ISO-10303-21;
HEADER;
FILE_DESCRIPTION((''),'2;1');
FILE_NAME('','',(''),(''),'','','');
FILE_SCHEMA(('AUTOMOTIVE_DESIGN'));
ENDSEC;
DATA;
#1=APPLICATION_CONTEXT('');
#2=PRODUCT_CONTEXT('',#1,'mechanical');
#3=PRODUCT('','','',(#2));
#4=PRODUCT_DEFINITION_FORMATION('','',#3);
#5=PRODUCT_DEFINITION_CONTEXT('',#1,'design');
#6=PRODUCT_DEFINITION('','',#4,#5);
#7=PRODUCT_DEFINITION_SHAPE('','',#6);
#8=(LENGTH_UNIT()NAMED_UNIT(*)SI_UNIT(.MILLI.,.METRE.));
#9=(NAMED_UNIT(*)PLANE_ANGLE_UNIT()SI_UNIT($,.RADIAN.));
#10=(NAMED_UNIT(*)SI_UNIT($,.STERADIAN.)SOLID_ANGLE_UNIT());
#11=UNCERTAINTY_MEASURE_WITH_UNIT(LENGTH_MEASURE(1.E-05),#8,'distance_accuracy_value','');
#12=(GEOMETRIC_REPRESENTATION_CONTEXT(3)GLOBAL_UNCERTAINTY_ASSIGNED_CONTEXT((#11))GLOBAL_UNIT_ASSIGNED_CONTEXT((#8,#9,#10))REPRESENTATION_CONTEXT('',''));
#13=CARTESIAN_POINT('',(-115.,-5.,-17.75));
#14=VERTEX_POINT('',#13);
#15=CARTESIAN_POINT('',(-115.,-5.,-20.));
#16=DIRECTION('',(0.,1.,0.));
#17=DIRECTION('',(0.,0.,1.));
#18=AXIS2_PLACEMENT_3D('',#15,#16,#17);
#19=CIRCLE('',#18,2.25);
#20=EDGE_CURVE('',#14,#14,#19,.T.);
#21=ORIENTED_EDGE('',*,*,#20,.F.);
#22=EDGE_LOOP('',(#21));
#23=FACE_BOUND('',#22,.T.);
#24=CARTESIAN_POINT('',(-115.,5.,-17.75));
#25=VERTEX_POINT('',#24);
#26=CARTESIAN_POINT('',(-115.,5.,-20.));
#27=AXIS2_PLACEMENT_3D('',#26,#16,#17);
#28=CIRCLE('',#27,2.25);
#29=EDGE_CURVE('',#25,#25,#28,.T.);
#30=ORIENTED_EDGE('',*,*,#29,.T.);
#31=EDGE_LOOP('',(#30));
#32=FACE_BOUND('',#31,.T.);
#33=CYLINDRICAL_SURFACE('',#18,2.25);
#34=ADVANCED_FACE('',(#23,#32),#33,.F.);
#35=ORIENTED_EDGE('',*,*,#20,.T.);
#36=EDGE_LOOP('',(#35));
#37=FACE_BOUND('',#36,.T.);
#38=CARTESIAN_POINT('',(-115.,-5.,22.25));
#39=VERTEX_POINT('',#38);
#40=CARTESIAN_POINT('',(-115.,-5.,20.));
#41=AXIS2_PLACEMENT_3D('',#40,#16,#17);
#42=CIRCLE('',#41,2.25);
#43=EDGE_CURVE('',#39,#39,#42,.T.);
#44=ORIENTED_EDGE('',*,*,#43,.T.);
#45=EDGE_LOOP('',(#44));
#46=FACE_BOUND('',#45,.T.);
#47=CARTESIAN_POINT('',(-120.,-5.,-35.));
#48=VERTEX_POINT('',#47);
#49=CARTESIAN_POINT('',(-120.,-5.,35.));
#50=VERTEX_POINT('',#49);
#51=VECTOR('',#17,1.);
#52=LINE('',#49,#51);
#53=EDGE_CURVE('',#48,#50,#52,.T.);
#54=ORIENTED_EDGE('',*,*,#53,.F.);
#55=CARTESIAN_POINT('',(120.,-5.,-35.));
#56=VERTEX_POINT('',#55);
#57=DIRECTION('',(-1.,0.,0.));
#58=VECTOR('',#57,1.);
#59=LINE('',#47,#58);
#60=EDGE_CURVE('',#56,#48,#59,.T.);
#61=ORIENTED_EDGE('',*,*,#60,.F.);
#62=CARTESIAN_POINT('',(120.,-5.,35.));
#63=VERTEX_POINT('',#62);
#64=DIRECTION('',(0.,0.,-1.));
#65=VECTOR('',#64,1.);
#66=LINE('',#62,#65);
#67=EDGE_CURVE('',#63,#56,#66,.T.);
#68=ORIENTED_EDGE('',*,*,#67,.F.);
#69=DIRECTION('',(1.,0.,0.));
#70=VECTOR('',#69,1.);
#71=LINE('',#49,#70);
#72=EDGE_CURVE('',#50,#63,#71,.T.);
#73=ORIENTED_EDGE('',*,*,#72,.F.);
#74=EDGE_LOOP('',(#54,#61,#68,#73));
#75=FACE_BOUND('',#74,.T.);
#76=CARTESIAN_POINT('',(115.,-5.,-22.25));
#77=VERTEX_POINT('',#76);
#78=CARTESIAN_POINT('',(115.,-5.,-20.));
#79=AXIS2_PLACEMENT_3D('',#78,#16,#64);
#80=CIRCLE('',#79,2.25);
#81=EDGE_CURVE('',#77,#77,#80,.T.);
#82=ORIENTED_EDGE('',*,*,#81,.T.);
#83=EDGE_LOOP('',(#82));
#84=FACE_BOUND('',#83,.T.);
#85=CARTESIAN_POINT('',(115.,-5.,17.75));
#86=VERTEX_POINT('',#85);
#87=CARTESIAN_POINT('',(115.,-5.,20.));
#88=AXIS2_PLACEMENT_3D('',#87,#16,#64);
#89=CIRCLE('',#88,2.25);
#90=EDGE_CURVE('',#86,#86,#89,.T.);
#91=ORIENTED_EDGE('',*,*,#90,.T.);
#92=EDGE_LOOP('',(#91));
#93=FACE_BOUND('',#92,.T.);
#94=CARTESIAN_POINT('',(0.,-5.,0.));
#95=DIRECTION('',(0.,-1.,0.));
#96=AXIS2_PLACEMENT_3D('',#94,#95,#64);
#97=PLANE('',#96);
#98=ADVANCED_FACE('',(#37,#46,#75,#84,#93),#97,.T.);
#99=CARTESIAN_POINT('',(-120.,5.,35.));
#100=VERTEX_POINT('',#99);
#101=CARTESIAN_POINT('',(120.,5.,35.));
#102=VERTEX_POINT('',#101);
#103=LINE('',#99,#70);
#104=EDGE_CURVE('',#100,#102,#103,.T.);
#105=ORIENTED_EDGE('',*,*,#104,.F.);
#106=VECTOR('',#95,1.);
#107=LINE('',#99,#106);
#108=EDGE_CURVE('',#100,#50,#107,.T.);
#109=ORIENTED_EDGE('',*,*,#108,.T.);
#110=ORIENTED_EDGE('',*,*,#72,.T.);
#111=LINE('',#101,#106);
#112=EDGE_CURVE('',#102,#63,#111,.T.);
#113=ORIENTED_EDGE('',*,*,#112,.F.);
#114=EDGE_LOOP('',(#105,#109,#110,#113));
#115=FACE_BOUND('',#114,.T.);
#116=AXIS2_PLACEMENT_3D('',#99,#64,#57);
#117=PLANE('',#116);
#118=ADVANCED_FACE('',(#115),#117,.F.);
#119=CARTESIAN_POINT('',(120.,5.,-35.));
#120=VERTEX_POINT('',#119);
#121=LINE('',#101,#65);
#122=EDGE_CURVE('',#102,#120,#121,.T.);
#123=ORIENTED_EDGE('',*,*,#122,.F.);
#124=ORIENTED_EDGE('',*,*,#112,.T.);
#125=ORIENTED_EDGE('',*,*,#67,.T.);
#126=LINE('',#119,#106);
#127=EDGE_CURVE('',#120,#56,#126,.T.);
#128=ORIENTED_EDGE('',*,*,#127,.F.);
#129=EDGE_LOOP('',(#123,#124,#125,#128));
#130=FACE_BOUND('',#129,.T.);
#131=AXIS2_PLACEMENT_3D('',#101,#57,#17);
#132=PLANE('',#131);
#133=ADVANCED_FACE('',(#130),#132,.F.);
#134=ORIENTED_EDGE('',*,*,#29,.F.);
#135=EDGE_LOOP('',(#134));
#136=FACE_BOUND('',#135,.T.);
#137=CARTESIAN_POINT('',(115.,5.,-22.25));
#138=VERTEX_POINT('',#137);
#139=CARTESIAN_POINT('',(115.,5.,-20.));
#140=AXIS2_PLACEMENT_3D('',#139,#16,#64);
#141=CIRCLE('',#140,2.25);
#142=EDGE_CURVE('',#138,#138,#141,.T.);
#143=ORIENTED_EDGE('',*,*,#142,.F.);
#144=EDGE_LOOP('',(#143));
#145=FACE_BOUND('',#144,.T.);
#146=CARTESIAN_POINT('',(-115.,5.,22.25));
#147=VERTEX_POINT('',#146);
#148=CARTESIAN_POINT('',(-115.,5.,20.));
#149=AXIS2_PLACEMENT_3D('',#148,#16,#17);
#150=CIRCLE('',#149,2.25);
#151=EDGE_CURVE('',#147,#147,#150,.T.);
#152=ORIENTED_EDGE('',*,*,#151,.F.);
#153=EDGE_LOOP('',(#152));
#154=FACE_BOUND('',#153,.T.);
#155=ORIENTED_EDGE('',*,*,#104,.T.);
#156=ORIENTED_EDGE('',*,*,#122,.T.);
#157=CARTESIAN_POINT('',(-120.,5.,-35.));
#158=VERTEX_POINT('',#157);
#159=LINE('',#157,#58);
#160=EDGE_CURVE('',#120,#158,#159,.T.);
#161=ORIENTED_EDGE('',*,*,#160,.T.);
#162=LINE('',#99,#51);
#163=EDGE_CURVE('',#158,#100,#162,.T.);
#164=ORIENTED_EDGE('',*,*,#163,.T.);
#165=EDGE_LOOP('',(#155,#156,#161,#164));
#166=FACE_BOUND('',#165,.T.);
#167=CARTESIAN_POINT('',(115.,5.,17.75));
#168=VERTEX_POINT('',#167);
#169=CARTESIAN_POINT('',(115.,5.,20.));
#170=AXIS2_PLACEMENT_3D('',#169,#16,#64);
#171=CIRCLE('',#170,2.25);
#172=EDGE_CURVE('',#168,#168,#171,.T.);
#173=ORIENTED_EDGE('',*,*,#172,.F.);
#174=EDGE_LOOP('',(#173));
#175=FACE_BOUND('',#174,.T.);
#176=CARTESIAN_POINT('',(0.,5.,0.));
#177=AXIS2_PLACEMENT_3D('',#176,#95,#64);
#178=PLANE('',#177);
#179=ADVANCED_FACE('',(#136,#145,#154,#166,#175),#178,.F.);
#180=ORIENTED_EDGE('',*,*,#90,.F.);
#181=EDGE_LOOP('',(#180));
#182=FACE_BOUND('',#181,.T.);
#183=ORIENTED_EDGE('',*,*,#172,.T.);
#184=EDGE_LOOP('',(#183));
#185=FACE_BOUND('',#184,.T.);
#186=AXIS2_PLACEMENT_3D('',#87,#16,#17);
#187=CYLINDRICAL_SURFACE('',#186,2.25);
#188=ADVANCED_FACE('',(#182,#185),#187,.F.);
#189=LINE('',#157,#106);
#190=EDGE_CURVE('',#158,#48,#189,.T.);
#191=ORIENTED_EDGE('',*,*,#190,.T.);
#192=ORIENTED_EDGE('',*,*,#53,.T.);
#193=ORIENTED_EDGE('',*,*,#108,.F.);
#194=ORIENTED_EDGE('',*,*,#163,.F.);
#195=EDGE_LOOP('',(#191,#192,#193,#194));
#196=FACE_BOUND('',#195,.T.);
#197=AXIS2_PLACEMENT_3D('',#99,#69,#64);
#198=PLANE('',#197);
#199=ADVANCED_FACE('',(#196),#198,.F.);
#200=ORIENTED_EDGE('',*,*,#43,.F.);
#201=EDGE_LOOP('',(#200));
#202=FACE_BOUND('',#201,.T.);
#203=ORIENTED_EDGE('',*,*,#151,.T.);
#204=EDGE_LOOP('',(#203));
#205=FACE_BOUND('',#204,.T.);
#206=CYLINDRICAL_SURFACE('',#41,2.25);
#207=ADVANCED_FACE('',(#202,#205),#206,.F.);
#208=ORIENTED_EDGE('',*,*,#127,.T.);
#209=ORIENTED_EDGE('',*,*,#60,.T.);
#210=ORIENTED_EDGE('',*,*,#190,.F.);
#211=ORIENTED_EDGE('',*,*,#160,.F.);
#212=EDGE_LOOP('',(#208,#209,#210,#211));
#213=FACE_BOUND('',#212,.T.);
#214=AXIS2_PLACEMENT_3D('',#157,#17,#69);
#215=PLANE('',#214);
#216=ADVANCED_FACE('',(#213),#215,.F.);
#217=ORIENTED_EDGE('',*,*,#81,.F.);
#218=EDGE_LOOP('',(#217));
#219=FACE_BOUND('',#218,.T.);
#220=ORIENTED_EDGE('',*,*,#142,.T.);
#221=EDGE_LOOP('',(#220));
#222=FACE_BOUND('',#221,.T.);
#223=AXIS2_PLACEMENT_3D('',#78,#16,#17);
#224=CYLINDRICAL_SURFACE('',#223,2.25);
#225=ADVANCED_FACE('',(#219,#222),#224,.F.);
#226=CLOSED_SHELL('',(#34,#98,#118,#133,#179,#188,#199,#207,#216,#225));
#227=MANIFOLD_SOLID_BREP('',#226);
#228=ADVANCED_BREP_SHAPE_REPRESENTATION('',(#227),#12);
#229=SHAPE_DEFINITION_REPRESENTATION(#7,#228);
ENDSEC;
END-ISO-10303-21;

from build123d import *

# Parameters (mm, degrees)
CROQUIS1_W              = 240
CROQUIS1_H              = 70
SALIENTE_EXTRUIR1_DEPTH = 5
CROQUIS2_R              = 2.25
CORTAR_EXTRUIR1_DEPTH   = 126.39936204


with BuildPart() as part:
    # Croquis1 → Saliente-Extruir1 (new, symmetric)
    with BuildSketch(Plane(origin=(0, 0, 0), x_dir=(1, 0, 0), z_dir=(0, 1, 0))):
        Rectangle(CROQUIS1_W, CROQUIS1_H)
    extrude(amount=SALIENTE_EXTRUIR1_DEPTH, both=True)

    # Croquis2 → Cortar-Extruir1 (cut, through all)
    with BuildSketch(Plane(origin=(0, 5, 0), x_dir=(1, 0, 0), z_dir=(0, 1, 0))):
        with Locations(Location((-115, 20, 0), (0, 0, 270))):
            Circle(CROQUIS2_R)
        with Locations(Location((-115, -20, 0), (0, 0, 270))):
            Circle(CROQUIS2_R)
        with Locations(Location((115, -20, 0), (0, 0, 90))):
            Circle(CROQUIS2_R)
        with Locations(Location((115, 20, 0), (0, 0, 90))):
            Circle(CROQUIS2_R)
    extrude(amount=-CORTAR_EXTRUIR1_DEPTH, mode=Mode.SUBTRACT)


solid = part.part
